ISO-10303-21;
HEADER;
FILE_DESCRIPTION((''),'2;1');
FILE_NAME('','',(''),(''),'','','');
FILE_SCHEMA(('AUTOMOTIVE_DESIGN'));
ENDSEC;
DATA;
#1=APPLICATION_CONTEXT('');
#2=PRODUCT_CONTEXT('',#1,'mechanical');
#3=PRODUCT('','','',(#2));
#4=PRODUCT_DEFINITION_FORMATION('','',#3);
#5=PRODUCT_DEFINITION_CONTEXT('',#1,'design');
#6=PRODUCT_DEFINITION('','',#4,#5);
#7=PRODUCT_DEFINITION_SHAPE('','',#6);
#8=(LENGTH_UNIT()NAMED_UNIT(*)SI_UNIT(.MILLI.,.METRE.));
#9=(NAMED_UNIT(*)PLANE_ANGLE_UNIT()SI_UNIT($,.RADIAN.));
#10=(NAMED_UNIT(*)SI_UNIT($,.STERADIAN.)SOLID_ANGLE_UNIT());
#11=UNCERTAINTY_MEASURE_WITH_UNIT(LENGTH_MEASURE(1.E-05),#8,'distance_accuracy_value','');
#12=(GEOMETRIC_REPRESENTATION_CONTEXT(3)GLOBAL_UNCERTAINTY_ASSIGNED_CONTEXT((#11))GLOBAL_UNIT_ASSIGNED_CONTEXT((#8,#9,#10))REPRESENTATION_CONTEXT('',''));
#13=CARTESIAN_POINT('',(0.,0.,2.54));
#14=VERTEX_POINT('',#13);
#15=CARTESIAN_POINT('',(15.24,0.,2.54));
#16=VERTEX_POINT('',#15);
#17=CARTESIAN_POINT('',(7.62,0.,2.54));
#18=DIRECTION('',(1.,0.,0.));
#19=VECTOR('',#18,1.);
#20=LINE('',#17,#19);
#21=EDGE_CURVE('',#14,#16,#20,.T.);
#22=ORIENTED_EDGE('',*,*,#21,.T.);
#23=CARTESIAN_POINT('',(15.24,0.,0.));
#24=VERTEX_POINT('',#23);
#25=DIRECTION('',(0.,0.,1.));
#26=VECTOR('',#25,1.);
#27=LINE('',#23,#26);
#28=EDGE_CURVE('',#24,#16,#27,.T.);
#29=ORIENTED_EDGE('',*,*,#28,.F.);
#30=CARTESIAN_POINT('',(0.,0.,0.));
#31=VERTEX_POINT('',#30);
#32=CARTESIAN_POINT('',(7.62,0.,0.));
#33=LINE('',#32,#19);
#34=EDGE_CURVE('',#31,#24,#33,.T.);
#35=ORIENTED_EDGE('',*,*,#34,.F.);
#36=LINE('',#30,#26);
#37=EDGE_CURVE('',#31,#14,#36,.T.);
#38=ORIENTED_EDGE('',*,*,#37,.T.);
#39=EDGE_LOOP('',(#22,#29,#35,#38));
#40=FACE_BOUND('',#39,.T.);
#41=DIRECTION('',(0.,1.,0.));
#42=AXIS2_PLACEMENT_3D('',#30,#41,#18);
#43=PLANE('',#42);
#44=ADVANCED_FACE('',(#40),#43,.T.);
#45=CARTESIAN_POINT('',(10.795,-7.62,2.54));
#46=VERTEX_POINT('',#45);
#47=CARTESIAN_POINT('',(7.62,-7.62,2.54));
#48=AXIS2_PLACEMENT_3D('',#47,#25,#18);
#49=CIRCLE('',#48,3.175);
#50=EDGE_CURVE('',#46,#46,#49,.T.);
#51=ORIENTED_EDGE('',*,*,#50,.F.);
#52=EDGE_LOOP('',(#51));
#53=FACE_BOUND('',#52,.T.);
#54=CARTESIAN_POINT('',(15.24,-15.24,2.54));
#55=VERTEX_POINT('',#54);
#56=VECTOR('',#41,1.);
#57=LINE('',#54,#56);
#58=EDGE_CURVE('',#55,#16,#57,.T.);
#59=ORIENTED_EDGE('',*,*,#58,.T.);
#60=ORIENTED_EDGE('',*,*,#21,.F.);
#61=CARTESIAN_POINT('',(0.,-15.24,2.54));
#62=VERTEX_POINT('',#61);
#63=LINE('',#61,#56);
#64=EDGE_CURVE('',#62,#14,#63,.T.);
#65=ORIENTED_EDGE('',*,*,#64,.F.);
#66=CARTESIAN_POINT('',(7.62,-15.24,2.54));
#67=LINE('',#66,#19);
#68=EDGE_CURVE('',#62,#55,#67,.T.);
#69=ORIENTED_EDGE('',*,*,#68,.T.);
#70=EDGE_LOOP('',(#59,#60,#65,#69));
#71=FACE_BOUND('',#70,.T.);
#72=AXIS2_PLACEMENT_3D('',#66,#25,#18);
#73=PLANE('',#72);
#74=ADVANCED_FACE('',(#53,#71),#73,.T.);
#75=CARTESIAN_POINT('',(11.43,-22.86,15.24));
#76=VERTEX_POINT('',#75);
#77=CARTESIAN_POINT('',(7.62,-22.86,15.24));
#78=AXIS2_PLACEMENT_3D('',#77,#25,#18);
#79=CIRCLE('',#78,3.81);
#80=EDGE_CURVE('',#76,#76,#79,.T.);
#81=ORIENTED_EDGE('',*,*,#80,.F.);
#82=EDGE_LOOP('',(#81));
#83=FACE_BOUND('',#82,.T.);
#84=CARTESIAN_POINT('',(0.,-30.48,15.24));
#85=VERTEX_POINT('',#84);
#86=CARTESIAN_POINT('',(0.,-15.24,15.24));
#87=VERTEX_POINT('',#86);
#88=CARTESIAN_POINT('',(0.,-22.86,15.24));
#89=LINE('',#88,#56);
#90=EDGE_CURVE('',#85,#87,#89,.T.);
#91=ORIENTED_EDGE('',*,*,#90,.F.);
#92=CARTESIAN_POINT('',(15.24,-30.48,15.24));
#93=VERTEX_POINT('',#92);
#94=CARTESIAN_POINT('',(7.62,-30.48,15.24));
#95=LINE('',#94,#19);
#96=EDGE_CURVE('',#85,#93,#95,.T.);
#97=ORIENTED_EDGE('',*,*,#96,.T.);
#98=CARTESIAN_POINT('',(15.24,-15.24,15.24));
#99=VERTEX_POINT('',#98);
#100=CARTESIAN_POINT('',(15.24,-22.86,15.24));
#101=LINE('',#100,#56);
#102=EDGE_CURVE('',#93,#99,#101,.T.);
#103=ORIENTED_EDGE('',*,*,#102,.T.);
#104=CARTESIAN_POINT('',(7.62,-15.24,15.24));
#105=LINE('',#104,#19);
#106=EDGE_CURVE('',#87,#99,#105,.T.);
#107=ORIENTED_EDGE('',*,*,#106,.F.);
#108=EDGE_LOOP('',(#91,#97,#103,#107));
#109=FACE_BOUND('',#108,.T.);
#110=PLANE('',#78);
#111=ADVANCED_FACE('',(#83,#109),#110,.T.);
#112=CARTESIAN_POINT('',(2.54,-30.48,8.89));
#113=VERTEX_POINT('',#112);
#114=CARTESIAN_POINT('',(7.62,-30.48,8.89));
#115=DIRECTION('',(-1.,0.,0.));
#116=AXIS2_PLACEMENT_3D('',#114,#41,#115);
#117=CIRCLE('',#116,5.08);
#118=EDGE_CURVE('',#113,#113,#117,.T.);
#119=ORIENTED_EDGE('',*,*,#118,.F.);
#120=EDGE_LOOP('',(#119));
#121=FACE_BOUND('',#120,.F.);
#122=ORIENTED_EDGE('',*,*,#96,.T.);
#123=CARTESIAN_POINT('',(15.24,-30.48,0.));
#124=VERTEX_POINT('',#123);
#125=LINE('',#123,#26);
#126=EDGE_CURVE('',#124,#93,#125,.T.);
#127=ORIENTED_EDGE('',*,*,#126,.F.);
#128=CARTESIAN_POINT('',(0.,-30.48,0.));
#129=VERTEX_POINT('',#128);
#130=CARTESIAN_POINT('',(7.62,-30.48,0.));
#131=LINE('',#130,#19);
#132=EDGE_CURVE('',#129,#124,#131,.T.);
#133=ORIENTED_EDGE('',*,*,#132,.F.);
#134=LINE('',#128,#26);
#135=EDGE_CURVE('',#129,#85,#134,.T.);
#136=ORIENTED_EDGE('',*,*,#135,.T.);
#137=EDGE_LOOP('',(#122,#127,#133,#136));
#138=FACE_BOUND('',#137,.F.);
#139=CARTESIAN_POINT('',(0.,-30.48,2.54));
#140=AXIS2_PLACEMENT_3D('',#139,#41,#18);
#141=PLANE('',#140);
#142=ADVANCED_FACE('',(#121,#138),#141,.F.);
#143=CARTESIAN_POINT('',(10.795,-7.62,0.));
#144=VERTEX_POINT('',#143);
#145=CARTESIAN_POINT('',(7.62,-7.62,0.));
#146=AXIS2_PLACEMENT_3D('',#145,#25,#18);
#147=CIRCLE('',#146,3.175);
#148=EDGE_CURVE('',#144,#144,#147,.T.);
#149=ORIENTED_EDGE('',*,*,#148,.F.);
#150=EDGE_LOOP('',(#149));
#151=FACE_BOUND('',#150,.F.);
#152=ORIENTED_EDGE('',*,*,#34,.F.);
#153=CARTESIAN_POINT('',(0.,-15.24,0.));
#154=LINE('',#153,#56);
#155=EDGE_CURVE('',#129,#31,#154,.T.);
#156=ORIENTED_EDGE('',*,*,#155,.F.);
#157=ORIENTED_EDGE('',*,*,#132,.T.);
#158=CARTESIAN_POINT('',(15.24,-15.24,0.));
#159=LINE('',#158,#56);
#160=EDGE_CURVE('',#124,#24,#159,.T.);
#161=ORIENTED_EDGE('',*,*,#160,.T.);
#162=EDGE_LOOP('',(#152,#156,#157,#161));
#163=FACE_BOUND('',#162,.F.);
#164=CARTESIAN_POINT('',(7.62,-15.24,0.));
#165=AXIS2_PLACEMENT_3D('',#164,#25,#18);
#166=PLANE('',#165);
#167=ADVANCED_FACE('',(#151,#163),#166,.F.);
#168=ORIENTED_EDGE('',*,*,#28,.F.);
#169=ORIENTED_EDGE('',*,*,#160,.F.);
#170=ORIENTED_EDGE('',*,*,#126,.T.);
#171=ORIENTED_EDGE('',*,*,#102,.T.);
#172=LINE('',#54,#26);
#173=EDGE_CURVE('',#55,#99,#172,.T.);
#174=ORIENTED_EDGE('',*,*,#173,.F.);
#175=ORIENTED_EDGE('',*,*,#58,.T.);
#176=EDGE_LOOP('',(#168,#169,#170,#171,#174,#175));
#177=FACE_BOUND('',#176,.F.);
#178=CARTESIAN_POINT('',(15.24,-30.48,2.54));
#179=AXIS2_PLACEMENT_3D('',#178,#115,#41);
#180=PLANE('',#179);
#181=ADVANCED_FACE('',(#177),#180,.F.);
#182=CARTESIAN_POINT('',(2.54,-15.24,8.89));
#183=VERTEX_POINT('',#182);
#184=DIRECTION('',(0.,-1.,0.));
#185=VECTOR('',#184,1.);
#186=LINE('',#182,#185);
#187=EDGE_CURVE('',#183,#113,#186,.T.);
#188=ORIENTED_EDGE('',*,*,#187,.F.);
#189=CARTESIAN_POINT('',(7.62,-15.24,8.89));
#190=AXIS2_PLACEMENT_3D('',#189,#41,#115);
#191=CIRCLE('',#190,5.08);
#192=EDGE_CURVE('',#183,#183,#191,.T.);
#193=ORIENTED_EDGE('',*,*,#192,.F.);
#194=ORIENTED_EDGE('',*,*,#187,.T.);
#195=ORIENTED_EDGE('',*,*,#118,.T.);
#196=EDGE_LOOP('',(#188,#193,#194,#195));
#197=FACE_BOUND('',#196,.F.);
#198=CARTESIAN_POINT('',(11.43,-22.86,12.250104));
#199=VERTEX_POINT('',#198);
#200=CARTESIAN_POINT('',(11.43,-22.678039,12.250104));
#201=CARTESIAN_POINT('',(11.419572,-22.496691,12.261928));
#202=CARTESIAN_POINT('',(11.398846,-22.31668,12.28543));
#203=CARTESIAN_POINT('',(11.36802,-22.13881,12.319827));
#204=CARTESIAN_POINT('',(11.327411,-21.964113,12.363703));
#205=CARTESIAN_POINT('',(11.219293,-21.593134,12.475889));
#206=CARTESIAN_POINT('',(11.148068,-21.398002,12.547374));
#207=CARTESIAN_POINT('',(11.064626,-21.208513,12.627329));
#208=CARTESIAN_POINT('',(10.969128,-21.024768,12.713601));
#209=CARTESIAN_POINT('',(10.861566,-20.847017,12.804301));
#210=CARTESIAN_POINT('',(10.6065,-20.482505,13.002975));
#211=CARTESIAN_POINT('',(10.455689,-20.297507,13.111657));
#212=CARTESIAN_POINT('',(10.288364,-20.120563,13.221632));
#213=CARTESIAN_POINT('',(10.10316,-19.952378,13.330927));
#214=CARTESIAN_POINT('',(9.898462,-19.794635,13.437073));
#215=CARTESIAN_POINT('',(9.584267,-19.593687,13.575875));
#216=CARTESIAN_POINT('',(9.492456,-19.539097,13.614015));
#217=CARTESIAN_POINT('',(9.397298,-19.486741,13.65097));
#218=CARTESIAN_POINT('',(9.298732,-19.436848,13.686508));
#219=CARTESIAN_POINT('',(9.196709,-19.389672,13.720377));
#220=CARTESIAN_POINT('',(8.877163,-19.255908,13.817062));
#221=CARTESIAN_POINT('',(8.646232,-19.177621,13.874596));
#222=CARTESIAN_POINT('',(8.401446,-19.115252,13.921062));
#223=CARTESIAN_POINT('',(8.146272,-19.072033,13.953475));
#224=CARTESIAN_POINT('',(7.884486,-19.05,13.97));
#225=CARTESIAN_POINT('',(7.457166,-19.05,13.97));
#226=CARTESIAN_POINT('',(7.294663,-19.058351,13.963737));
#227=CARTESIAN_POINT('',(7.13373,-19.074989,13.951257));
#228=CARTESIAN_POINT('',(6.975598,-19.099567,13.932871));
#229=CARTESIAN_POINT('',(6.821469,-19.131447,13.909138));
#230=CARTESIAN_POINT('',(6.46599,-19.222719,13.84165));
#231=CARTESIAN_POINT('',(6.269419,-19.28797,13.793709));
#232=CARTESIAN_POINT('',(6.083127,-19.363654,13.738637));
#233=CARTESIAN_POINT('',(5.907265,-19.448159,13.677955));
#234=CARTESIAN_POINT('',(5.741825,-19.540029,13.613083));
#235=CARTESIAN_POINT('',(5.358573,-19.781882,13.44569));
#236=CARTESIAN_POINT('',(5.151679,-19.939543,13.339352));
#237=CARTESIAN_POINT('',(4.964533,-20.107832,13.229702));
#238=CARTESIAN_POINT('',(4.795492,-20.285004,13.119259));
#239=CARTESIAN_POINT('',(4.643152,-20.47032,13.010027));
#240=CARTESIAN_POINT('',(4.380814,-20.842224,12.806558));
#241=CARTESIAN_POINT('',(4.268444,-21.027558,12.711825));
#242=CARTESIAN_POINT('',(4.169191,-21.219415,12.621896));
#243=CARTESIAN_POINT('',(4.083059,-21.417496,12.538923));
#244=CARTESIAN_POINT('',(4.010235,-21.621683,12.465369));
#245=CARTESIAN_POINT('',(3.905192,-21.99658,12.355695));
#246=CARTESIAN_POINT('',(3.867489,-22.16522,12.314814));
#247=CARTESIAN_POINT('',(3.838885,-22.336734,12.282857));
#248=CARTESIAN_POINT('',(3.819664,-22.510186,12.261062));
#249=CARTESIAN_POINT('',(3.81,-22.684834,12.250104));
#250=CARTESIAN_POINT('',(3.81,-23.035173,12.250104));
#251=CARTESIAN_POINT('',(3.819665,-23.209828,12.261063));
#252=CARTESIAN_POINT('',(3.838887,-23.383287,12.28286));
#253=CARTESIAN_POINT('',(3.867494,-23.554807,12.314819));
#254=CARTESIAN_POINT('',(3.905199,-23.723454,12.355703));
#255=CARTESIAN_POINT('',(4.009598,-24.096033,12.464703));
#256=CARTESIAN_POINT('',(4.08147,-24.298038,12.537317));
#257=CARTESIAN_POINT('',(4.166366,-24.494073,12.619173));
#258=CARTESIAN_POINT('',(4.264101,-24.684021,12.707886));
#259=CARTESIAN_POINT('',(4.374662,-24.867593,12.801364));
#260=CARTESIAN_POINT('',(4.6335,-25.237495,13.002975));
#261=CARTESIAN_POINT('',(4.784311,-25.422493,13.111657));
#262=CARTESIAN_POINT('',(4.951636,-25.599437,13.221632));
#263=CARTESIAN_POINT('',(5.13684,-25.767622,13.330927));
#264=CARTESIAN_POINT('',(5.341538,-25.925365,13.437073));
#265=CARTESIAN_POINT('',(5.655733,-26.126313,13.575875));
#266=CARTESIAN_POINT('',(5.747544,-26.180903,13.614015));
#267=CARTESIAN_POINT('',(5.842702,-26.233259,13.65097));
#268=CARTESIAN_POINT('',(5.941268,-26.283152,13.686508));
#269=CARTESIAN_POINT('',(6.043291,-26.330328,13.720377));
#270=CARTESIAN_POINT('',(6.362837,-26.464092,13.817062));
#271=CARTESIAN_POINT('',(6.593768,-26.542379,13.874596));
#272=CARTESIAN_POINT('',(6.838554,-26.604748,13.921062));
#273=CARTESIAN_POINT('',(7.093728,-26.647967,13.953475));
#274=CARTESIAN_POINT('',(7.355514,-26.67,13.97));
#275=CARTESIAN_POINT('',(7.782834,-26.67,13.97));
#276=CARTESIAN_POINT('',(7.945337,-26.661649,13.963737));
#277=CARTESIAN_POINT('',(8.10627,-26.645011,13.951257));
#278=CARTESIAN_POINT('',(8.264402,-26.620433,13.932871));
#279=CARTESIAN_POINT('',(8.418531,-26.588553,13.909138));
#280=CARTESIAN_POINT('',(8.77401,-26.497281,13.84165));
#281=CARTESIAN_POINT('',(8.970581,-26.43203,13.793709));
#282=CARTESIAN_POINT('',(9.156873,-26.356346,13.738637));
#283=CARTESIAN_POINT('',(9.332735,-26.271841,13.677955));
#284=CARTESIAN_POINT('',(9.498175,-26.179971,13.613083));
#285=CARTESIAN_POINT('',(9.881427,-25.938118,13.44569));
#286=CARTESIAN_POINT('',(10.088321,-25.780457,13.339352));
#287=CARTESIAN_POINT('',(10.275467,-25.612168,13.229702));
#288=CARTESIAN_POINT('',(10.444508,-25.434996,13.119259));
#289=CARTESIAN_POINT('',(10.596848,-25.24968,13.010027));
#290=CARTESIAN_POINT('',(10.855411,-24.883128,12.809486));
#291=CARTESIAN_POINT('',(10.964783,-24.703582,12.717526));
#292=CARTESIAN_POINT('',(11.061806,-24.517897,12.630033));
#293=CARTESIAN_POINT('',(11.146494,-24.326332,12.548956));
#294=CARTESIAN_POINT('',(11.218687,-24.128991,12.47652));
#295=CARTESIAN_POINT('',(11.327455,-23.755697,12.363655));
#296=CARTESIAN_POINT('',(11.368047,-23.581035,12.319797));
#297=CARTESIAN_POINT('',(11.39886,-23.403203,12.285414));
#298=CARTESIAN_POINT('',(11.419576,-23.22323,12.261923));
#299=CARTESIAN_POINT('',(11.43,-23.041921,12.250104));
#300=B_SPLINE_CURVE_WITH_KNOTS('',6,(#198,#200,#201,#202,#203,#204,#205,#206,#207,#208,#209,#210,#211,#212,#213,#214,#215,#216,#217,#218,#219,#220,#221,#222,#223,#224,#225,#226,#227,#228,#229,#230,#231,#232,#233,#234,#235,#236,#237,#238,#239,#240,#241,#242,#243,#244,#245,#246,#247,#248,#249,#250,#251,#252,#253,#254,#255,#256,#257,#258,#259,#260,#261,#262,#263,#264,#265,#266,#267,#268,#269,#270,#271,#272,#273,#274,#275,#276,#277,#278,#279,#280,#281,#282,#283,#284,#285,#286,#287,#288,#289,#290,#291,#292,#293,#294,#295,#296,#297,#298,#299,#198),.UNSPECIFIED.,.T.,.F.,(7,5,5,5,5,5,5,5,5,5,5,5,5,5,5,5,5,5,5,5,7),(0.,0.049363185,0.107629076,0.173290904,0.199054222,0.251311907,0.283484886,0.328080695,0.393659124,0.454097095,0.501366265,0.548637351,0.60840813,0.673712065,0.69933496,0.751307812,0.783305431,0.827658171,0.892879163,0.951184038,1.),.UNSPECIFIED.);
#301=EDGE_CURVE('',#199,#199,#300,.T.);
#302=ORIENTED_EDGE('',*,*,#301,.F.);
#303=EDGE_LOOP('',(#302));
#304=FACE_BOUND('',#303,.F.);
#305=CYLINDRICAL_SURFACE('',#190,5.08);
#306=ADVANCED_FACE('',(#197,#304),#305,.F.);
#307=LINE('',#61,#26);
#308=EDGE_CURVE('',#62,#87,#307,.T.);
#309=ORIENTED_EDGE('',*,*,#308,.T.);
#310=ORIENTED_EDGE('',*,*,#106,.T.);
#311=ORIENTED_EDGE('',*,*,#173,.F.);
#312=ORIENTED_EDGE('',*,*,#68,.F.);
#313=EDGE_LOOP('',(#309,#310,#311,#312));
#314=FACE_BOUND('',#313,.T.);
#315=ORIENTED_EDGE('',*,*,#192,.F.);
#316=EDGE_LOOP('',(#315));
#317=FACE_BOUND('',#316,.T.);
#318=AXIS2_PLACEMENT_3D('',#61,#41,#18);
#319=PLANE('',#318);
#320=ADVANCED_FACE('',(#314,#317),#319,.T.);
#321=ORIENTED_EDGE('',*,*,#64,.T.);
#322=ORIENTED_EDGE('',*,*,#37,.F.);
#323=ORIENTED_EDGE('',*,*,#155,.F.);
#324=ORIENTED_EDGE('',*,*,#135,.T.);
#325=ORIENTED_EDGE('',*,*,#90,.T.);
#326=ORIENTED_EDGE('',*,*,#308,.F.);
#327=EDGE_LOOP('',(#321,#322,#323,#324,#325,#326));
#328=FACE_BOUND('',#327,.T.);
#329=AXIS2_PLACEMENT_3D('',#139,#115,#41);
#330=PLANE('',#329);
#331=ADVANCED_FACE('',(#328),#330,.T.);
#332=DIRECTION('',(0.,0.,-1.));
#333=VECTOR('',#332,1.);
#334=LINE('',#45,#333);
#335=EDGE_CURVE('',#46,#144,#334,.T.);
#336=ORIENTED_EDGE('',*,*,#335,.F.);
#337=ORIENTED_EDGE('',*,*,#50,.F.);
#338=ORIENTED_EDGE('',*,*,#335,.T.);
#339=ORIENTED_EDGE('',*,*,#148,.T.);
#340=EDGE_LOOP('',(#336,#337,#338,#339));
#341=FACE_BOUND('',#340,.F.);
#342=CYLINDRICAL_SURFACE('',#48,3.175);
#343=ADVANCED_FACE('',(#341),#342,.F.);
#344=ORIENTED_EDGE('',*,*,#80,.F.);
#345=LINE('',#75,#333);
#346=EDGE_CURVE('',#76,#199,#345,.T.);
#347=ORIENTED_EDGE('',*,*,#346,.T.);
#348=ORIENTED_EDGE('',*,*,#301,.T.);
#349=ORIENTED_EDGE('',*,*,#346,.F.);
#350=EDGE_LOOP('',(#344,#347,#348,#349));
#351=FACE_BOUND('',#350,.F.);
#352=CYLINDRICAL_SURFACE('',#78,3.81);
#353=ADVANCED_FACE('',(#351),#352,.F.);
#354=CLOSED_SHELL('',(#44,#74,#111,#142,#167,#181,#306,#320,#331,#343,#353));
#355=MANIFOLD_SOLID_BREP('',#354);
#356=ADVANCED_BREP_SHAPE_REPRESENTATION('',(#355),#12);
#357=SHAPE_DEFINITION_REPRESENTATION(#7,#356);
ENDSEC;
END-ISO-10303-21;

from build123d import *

# Parameters (mm, degrees)
F0_W     = 15.24
F0_H     = 30.48
F1_DEPTH = 2.54
F2_W     = 15.24
F2_H     = 15.24
F3_DEPTH = 12.7
F4_R     = 3.175
F5_DEPTH = 25.4
F6_R     = 5.08
F7_DEPTH = 25.4
F8_R     = 3.81
F9_DEPTH = 3.556


with BuildPart() as f1:
    # F0 (on Top) → F1 (new body)
    with BuildSketch(Plane.XY):
        with Locations((7.62, -15.24)):
            Rectangle(F0_W, F0_H)
    extrude(amount=F1_DEPTH)

    # F2 (on face) → F3 (join)
    with BuildSketch(Plane.XY.offset(2.54)):
        with Locations((7.62, -22.86)):
            Rectangle(F2_W, F2_H)
    extrude(amount=F3_DEPTH)

    # F4 (on face) → F5 (cut)
    with BuildSketch(Plane.XY.offset(2.54)):
        with Locations((7.62, -7.62)):
            Circle(F4_R)
    extrude(amount=-F5_DEPTH, mode=Mode.SUBTRACT)

    # F6 (on face) → F7 (cut)
    with BuildSketch(Plane(origin=(0, -15.24, 0), x_dir=(-1, 0, 0), z_dir=(0, 1, 0))):
        with Locations((-7.62, 8.89)):
            Circle(F6_R)
    extrude(amount=-F7_DEPTH, mode=Mode.SUBTRACT)

    # F8 (on face) → F9 (cut)
    with BuildSketch(Plane.XY.offset(15.24)):
        with Locations((7.62, -22.86)):
            Circle(F8_R)
    extrude(amount=-F9_DEPTH, mode=Mode.SUBTRACT)


solid = f1.part
